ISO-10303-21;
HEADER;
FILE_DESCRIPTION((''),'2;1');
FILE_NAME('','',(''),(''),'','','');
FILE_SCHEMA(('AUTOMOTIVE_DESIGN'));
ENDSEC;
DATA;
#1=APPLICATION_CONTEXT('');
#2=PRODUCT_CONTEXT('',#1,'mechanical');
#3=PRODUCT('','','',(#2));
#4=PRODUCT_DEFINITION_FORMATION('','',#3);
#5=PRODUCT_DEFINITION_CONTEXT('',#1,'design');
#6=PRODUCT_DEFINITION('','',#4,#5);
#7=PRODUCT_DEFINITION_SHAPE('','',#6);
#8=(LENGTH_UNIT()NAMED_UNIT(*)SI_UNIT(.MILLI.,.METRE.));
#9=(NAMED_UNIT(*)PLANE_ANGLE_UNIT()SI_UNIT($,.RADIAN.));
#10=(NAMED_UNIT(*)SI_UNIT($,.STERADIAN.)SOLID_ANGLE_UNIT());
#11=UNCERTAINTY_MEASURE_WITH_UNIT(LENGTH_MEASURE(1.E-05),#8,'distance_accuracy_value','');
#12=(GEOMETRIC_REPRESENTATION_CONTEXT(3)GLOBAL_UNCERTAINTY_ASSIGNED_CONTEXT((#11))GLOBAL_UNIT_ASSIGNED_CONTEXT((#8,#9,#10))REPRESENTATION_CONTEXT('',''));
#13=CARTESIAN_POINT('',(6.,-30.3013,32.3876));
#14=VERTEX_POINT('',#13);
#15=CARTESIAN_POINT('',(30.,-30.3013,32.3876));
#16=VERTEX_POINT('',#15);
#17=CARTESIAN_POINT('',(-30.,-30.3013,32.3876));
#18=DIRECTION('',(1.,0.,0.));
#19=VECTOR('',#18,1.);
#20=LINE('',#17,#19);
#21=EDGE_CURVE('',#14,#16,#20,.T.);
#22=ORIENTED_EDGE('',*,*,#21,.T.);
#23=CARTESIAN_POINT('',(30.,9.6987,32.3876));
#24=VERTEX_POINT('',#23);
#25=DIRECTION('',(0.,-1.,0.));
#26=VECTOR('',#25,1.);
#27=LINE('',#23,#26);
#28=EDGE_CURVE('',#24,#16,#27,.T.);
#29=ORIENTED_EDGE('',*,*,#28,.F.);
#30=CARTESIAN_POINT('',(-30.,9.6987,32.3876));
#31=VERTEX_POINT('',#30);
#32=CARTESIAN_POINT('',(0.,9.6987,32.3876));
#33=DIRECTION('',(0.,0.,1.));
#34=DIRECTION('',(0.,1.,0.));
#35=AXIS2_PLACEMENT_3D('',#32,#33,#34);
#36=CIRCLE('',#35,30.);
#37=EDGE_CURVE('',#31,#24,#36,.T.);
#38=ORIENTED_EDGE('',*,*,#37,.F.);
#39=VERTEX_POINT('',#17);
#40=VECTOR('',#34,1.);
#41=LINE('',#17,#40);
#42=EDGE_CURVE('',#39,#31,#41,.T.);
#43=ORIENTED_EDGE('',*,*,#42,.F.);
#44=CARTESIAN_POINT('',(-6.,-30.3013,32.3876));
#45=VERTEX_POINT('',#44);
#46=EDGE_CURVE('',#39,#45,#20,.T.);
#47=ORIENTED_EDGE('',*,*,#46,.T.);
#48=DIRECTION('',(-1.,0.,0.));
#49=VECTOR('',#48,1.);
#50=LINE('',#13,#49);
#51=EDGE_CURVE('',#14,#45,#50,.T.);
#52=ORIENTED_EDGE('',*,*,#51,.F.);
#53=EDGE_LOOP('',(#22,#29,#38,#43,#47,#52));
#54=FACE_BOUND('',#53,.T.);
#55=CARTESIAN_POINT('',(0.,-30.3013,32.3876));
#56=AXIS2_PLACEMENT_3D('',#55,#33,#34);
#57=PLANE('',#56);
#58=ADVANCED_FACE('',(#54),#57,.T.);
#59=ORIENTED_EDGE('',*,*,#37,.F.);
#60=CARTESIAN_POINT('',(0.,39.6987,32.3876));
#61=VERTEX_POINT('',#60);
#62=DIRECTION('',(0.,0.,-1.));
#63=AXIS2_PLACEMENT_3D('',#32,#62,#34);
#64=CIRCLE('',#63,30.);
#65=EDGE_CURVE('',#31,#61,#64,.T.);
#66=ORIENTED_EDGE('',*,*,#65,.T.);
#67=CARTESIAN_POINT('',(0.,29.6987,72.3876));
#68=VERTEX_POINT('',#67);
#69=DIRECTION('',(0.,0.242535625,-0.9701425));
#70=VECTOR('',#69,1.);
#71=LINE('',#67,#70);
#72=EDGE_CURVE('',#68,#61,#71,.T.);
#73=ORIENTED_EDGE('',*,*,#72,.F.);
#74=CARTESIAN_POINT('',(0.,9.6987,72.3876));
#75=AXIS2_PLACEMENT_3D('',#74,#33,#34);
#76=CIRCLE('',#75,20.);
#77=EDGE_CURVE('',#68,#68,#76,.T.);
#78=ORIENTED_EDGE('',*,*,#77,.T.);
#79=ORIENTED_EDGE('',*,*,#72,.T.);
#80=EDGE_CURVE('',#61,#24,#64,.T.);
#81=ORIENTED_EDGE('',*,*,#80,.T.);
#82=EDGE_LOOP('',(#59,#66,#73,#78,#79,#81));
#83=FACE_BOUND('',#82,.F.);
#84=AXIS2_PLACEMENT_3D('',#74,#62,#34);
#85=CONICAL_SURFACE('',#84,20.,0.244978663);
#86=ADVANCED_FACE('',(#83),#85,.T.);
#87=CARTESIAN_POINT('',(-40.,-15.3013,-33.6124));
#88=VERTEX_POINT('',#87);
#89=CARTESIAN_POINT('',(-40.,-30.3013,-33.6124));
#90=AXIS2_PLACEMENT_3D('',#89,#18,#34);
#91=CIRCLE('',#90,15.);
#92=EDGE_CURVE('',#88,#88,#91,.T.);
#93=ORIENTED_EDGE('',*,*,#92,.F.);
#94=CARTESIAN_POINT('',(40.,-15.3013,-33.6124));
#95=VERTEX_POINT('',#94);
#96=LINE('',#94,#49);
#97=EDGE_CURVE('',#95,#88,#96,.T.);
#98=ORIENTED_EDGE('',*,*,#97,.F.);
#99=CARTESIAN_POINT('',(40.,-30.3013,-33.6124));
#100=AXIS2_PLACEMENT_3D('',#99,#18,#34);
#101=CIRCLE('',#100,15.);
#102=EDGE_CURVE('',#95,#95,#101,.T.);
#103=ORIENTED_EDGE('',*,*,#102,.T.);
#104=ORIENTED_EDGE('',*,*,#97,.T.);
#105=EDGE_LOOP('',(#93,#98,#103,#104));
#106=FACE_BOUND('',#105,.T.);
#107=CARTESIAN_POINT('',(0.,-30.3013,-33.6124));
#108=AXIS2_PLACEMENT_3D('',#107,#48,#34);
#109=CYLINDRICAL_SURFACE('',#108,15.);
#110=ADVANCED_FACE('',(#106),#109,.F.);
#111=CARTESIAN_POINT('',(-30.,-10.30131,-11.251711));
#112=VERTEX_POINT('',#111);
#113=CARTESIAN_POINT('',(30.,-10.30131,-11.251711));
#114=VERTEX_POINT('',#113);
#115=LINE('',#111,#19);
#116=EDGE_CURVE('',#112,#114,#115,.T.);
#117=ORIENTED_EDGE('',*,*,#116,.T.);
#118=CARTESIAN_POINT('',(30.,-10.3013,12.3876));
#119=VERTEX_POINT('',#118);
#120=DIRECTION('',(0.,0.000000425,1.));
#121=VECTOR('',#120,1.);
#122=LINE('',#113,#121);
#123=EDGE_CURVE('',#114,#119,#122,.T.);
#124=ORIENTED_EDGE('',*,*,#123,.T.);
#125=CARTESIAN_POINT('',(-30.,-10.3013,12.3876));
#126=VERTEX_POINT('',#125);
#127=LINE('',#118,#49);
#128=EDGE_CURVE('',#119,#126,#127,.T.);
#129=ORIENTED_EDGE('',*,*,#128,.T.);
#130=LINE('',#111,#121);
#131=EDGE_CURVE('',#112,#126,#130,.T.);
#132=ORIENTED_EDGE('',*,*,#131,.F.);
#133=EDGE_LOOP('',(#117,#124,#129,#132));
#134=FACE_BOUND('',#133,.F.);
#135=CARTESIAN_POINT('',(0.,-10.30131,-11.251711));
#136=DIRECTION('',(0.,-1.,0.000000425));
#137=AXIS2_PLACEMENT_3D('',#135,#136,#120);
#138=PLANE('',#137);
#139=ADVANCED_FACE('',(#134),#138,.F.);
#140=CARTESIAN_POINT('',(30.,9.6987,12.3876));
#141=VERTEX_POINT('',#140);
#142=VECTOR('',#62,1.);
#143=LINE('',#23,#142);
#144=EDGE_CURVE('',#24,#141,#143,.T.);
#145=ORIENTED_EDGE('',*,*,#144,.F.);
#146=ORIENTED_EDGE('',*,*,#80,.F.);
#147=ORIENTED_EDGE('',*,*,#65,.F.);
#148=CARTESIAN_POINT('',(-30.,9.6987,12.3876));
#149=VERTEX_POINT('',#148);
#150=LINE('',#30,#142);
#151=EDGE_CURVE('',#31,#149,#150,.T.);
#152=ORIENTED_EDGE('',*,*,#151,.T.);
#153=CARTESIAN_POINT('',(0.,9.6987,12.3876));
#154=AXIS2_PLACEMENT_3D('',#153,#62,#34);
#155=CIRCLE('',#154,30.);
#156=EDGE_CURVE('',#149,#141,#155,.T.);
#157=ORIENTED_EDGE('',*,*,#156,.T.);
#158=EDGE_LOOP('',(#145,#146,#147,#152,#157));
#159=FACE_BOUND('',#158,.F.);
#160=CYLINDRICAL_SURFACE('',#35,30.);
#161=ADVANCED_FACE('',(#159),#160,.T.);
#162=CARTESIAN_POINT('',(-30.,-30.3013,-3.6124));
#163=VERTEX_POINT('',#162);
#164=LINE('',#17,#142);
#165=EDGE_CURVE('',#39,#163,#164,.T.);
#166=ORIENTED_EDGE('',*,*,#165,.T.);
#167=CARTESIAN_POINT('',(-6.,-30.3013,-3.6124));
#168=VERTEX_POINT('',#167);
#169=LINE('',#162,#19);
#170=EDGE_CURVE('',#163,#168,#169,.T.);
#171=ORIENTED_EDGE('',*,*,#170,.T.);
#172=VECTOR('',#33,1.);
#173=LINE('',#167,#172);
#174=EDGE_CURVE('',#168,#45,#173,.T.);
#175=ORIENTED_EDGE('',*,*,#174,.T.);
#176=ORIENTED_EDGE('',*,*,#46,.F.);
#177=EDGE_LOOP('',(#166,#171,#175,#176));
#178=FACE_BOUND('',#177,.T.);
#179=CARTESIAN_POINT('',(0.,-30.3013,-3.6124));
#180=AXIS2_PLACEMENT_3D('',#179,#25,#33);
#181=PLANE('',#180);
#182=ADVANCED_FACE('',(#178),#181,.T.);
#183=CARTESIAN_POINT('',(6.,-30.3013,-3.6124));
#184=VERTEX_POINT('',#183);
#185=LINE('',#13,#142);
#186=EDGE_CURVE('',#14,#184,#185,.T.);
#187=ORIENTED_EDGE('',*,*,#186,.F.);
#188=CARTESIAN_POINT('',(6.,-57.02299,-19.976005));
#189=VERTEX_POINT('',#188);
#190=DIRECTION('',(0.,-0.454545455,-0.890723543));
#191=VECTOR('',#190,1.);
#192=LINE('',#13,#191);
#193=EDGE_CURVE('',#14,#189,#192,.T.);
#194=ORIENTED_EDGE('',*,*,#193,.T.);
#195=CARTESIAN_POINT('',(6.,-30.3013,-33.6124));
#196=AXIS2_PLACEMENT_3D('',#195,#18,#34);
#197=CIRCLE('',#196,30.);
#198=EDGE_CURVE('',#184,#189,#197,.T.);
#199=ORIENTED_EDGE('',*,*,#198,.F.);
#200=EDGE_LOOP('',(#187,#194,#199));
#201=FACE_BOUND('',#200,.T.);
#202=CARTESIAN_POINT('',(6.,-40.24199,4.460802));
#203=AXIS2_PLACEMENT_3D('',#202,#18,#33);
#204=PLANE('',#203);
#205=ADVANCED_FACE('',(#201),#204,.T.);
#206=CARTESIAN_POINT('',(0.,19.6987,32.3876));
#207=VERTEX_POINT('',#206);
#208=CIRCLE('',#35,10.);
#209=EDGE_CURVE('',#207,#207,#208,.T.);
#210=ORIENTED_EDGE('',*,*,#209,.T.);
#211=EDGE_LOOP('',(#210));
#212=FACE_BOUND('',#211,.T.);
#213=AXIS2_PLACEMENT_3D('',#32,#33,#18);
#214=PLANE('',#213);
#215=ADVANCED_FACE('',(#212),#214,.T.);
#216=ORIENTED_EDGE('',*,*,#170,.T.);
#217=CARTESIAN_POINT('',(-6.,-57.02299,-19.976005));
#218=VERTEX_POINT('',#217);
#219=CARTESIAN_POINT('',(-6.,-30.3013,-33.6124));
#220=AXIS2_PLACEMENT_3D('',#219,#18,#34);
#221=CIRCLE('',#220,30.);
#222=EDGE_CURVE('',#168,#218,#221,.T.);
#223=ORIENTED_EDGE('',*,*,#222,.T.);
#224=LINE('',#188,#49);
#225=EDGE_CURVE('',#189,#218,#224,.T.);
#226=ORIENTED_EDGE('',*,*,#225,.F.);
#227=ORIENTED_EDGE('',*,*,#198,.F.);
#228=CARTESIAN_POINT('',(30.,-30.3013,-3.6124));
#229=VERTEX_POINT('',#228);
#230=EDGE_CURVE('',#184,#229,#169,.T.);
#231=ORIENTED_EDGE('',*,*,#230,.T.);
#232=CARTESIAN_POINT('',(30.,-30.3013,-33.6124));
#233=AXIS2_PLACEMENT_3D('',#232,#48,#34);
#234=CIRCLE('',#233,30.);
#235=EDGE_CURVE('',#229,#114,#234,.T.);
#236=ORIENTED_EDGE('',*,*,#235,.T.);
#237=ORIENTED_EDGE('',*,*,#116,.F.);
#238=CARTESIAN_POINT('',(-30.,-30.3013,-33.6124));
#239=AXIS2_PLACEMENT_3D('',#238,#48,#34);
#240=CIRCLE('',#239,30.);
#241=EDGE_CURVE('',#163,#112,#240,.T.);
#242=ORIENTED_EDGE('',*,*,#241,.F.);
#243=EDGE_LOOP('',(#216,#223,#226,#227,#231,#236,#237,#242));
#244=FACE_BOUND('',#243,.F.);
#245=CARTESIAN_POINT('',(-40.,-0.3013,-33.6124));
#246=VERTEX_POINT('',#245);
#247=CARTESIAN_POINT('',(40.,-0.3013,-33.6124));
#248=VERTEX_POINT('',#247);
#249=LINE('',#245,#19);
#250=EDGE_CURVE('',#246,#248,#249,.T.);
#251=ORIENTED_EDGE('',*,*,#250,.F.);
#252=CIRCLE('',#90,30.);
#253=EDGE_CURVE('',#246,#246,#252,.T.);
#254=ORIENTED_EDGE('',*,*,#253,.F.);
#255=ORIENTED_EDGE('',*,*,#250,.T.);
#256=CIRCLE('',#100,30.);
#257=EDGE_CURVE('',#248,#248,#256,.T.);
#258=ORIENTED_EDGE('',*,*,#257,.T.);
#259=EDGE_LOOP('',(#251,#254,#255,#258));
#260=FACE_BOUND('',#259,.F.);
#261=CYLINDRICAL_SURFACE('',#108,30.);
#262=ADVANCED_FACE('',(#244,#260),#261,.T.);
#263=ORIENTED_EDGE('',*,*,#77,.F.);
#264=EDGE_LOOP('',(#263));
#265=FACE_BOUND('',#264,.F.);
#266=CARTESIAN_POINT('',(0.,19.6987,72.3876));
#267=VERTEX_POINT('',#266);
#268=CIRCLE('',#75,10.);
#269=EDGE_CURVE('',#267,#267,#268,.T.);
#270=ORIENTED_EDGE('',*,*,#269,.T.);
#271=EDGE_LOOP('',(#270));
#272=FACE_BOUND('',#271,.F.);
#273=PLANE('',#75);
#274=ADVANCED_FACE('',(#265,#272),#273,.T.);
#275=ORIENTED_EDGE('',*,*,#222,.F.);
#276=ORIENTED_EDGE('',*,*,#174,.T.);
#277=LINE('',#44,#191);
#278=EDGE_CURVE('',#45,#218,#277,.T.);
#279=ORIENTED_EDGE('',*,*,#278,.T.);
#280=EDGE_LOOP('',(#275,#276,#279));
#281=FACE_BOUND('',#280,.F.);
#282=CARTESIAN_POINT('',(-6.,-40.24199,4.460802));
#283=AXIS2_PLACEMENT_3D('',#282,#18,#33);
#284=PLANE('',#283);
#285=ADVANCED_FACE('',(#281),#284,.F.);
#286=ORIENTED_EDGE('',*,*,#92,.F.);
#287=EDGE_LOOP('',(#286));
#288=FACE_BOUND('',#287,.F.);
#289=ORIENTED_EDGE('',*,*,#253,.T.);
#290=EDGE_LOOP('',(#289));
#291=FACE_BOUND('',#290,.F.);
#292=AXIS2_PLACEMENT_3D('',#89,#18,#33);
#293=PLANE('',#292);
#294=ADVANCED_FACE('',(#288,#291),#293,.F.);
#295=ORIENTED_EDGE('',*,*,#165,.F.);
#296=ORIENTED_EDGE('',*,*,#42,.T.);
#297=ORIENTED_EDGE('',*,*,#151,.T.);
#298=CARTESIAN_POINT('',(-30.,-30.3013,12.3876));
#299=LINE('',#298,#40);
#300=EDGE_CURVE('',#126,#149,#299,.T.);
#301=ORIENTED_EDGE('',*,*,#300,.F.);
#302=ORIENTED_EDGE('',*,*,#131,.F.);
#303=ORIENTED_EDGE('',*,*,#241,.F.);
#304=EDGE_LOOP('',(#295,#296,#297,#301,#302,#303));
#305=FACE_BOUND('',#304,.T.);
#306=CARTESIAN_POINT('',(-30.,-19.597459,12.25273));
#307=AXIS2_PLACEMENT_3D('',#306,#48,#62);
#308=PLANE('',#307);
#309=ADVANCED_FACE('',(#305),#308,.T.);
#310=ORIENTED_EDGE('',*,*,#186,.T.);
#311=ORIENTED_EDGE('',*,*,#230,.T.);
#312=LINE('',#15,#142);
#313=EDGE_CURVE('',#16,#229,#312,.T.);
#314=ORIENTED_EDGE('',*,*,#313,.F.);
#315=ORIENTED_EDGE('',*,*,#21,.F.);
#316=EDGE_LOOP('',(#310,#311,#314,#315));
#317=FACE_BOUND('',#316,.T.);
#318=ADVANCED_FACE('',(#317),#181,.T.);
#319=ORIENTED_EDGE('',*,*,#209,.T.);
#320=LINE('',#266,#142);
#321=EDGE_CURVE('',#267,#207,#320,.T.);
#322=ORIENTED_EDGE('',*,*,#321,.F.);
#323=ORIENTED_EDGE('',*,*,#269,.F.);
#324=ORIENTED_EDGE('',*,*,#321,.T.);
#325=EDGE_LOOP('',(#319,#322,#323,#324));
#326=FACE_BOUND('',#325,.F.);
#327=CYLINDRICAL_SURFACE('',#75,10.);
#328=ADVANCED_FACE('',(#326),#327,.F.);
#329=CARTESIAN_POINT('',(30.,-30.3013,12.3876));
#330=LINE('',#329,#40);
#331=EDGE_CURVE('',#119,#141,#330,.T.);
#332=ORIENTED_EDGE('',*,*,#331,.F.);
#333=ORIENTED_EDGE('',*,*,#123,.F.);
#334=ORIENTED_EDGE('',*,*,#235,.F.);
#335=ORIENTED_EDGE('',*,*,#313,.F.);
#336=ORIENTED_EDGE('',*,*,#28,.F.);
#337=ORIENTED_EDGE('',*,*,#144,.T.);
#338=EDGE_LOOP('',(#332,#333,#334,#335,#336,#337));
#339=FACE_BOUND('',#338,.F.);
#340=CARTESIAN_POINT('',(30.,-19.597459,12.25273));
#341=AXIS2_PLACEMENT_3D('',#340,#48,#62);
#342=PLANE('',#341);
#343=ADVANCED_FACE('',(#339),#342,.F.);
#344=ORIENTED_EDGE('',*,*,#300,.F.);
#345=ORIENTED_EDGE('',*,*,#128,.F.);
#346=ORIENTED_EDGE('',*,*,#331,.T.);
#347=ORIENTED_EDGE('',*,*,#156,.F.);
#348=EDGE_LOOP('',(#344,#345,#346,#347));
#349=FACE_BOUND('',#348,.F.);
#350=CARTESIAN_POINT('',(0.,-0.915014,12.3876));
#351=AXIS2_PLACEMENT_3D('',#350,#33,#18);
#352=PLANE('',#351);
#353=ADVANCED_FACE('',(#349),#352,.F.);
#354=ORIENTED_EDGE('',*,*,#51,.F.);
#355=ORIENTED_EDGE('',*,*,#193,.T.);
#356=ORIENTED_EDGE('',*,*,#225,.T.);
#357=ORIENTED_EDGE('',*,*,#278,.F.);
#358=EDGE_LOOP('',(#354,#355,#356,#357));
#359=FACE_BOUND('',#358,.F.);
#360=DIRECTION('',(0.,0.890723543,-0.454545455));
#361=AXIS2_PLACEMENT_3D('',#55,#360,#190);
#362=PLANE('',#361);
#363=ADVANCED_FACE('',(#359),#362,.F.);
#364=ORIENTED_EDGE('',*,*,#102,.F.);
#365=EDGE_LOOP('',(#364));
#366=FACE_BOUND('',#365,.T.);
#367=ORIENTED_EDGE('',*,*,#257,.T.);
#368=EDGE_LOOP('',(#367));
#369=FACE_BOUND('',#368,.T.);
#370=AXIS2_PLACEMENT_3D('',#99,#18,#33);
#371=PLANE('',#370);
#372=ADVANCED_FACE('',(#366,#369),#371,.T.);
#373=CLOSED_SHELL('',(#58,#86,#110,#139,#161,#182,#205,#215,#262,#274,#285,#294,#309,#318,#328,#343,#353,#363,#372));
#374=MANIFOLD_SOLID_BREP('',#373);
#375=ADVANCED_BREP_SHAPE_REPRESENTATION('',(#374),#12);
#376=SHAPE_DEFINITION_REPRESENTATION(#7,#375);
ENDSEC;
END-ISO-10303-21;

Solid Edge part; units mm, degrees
sketch "Sketch1" plane through (0, 0, 0) normal (1, 0, 0) x (0, 1, 0)
  circle A0 centre (-30.3013, -33.6124) radius 15
  circle A1 centre (-30.3013, -33.6124) radius 30
extrude "Protrusion1" add sketch "Sketch1" along normal mid plane 80
sketch "Sketch2" plane through (0, 0, 0) normal (1, 0, 0) x (0, 1, 0)
  line L0 (-30.3013, 32.3876) -> (-57.023, -19.976)
  arc A0 (-30.3013, -3.6124) -> (-57.023, -19.976) centre (-30.3013, -33.6124) ccw
  line L1 (-30.3013, -3.6124) -> (-30.3013, 32.3876)
extrude "ExtrudedProtrusion_2" add sketch "Sketch2" along normal mid plane 12
sketch "Sketch3" plane through (0, 0, 0) normal (1, 0, 0) x (0, 1, 0)
  line L0 (-30.3013, 32.3876) -> (-10.3013, 32.3876)
  line L1 (-10.3013, 32.3876) -> (-10.3013, 12.3876)
  line L2 (-10.3013, -11.2517) -> (-10.3013, 12.3876)
  arc A0 (-30.3013, -3.6124) -> (-10.3013, -11.2517) centre (-30.3013, -33.6124) cw
  line L3 (-30.3013, -3.6124) -> (-30.3013, 32.3876)
extrude "ExtrudedProtrusion_3" add sketch "Sketch3" along normal mid plane 60
sketch "Sketch4" plane through (0, -20.3013, 32.3876) normal (0, 0, 1) x (0, 1, 0)
  line L0 (-10, 30) -> (-10, -30)
  line L1 (-10, -30) -> (30, -30)
  arc A0 (30, 30) -> (30, -30) centre (30, 0) cw
  line L2 (-10, 30) -> (30, 30)
extrude "ExtrudedProtrusion_5" add sketch "Sketch4" against normal blind 20
sketch "Sketch5" plane through (0, 0, 0) normal (1, 0, 0) x (0, 1, 0)
  line L0 (9.6987, 32.3876) -> (9.6987, 72.3876)
  line L1 (9.6987, 72.3876) -> (29.6987, 72.3876)
  line L2 (29.6987, 72.3876) -> (39.6987, 32.3876)
  line L3 (39.6987, 32.3876) -> (9.6987, 32.3876)
revolve "RevolvedProtrusion1" add sketch "Sketch5" angle 360 about axis through (0, 9.6987, 32.3876) along (0, 0, 1)
sketch "Sketch6" plane through (0, 9.6987, 72.3876) normal (0, 0, 1) x (0, 1, 0)
  circle A0 centre (0, 0) radius 10
extrude "ExtrudedCutout_1" cut sketch "Sketch6" against normal blind 40
